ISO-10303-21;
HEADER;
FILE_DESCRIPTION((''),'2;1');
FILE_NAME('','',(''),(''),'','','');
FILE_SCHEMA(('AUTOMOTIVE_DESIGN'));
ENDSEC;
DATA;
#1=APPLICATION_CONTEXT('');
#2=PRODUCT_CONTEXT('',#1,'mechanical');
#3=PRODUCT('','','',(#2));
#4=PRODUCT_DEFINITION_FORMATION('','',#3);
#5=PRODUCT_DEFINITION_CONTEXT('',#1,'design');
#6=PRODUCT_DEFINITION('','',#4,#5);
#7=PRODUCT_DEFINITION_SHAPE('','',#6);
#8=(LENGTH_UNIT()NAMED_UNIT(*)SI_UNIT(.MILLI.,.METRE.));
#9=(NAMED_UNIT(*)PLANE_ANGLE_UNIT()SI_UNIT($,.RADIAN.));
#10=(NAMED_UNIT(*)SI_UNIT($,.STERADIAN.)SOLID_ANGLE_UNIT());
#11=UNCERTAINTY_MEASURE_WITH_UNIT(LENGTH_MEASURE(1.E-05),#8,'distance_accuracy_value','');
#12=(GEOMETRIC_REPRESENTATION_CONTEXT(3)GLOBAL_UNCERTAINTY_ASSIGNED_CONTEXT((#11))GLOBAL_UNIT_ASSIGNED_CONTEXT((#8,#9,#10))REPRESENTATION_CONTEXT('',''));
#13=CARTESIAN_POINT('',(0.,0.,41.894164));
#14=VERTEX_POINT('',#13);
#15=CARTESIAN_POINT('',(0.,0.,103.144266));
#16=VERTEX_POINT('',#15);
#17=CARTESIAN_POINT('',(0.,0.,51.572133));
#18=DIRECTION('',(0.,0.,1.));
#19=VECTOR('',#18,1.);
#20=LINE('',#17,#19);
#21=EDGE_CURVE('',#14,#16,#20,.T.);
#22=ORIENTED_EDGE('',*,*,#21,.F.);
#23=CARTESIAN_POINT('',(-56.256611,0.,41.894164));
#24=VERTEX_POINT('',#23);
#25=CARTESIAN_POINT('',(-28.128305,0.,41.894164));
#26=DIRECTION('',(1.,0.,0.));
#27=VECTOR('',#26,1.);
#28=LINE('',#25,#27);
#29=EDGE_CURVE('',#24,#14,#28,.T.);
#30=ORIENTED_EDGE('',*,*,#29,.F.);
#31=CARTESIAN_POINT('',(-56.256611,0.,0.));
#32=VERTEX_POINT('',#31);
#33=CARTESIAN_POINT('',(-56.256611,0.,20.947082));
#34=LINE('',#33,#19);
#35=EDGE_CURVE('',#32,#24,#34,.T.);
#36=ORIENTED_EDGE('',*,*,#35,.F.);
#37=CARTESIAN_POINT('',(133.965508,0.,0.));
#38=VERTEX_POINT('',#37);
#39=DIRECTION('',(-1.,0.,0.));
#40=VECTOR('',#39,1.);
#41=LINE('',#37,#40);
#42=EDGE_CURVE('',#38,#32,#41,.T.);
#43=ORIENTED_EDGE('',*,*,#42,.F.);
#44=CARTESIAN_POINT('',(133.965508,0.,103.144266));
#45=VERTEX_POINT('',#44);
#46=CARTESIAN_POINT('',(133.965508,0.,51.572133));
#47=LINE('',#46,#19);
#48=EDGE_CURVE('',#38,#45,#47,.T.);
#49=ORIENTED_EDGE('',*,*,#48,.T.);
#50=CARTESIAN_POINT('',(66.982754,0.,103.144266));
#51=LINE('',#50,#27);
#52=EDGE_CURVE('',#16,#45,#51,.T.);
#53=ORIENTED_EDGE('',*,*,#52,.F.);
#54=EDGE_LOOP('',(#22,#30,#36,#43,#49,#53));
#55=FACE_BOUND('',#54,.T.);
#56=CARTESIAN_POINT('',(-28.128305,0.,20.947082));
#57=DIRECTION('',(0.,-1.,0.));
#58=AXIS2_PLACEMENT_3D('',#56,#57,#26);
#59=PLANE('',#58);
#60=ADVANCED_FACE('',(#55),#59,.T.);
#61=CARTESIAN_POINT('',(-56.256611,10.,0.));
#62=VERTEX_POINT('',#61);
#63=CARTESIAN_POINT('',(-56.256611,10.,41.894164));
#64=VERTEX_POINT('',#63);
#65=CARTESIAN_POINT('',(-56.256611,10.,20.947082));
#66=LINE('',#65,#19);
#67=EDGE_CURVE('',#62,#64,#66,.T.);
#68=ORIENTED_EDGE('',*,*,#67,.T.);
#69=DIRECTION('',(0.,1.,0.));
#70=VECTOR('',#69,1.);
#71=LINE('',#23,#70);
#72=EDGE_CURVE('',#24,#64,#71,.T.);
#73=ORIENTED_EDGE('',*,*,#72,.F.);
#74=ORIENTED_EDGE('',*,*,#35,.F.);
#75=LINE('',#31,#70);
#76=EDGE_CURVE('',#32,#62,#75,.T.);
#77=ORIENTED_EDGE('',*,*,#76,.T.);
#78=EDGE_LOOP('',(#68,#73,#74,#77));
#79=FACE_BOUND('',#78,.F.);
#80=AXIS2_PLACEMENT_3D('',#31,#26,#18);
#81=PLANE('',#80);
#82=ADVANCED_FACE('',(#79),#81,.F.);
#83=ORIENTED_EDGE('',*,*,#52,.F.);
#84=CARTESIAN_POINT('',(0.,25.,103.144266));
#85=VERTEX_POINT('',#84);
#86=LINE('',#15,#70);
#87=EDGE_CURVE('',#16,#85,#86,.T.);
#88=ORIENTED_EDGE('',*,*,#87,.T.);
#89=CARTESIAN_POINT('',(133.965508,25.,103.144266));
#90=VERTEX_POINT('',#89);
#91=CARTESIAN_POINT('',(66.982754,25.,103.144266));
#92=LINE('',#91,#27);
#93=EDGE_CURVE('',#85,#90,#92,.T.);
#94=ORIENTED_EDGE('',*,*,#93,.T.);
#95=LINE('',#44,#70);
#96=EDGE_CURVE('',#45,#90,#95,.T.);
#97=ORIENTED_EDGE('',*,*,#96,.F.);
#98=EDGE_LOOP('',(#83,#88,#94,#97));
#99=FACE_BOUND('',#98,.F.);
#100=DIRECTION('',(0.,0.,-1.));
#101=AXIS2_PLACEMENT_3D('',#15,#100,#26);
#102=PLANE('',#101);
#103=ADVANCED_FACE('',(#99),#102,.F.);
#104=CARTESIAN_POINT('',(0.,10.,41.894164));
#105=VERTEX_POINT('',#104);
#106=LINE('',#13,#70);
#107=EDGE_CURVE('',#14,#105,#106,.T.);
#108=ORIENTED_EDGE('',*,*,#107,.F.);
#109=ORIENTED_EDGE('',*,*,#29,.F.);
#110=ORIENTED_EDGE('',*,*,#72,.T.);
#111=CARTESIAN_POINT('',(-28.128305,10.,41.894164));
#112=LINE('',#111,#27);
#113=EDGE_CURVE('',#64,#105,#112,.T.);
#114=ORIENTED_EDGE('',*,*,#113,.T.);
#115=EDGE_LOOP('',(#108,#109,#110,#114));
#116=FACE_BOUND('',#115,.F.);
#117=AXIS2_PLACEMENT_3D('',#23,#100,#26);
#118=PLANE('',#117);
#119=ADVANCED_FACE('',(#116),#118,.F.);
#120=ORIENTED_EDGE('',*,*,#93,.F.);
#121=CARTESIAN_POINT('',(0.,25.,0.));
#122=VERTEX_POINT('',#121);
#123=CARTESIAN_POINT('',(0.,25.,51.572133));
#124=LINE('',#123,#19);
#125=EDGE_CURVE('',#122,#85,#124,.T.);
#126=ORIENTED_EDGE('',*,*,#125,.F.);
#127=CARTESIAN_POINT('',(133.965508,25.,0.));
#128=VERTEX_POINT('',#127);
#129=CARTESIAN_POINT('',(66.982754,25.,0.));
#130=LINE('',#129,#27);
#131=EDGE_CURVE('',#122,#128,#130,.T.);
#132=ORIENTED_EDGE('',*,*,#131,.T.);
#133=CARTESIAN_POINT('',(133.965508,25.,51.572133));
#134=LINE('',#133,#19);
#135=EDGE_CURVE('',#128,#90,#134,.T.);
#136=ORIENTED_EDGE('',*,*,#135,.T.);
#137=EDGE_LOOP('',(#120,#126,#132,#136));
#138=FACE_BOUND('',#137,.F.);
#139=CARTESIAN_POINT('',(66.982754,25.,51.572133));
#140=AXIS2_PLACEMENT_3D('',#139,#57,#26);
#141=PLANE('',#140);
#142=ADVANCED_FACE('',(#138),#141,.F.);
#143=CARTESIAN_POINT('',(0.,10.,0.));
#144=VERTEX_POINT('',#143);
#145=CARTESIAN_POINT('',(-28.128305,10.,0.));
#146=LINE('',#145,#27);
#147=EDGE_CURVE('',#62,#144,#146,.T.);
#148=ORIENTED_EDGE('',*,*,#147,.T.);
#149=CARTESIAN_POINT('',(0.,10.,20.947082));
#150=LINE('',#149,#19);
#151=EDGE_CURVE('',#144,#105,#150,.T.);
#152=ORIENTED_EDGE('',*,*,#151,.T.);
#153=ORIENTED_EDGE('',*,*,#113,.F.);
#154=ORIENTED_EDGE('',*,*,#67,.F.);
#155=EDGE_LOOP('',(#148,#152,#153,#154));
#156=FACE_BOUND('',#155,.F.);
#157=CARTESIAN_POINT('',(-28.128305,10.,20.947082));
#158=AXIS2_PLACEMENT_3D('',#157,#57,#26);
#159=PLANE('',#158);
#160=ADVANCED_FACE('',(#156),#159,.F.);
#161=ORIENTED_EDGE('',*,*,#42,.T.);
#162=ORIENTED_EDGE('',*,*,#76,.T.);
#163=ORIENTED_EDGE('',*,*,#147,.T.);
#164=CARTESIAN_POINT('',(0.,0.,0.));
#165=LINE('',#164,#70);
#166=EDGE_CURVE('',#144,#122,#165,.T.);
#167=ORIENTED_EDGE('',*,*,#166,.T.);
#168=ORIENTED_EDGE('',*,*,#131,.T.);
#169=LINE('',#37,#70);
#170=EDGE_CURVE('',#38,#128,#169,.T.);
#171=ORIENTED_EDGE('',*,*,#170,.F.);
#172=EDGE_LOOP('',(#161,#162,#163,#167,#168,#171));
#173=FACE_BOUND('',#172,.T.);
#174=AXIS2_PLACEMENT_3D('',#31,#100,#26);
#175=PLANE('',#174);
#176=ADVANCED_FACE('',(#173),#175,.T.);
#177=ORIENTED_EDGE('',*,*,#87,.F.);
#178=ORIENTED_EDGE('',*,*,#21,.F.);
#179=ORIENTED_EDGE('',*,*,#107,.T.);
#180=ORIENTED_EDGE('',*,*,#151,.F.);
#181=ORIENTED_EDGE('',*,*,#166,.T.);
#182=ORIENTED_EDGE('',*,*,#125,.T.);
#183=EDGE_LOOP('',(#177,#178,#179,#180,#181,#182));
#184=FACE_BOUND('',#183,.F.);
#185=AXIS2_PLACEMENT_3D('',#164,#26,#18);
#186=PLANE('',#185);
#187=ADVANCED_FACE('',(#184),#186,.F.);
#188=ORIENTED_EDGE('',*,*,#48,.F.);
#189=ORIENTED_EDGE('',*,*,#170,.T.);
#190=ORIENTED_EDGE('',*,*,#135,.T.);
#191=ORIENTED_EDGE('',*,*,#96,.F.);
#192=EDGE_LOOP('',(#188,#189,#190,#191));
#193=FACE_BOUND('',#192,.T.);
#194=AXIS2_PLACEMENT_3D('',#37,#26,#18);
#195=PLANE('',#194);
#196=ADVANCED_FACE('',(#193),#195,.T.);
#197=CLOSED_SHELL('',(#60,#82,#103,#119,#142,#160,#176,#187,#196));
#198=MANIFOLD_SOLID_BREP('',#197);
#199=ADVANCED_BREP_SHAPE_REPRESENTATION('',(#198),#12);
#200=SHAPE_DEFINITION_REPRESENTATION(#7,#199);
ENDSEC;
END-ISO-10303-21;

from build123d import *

# Parameters (mm, degrees)
F0_W     = 133.965507
F0_H     = 103.144266
F1_DEPTH = 25
F2_W     = 56.256611
F2_H     = 41.894164
F3_DEPTH = 10


with BuildPart() as f1:
    # F0 (on Front) → F1 (new body)
    with BuildSketch(Plane.XZ):
        with Locations((66.982754, 51.572133)):
            Rectangle(F0_W, F0_H)
    extrude(amount=-F1_DEPTH)

    # F2 (on Front) → F3 (join)
    with BuildSketch(Plane.XZ):
        with Locations((-28.128305, 20.947082)):
            Rectangle(F2_W, F2_H)
    extrude(amount=-F3_DEPTH)


solid = f1.part
